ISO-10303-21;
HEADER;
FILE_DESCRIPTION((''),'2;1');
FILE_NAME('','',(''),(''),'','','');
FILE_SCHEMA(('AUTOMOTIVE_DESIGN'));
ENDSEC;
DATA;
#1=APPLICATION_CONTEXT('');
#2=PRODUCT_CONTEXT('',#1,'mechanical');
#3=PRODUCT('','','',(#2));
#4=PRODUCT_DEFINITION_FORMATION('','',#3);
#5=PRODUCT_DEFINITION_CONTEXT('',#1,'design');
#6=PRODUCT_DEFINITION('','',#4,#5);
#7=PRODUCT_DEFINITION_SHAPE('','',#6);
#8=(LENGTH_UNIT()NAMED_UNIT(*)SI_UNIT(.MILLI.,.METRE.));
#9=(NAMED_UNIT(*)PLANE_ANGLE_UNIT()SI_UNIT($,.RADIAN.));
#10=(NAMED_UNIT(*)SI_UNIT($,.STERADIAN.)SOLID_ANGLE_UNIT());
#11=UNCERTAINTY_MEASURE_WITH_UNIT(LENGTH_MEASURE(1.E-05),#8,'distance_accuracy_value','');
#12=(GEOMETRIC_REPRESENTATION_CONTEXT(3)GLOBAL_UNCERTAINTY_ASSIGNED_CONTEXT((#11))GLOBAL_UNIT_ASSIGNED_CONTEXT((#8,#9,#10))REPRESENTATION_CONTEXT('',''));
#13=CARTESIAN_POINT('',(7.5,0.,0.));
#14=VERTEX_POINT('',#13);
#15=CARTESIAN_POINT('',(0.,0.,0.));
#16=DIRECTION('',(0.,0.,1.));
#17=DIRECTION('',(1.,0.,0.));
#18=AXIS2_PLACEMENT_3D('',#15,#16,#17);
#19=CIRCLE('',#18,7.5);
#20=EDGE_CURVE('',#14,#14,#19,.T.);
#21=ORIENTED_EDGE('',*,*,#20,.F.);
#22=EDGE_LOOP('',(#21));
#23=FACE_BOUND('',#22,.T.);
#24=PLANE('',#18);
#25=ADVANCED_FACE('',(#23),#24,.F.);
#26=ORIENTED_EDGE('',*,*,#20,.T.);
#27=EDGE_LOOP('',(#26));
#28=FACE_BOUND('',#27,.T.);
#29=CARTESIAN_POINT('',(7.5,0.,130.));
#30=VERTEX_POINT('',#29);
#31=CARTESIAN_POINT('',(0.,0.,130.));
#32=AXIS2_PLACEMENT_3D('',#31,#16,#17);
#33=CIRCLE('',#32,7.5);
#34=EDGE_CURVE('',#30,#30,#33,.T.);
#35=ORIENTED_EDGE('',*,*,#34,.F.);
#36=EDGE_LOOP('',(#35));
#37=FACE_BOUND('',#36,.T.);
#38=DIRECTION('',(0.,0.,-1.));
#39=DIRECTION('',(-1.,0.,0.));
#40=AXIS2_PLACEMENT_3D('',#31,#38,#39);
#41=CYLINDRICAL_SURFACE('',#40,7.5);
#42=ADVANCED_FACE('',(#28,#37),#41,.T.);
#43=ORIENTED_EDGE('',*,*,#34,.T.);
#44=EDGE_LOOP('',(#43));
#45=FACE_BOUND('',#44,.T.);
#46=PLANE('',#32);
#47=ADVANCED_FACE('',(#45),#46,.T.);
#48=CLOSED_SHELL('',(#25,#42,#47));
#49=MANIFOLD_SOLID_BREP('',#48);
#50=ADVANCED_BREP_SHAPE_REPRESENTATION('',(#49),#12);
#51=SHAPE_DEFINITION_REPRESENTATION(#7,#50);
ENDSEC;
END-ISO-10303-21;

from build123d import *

# Parameters (mm, degrees)
SKETCH_1_R      = 7.5
EXTRUDE_1_DEPTH = 130


with BuildPart() as part:
    # 草图1 → 凸台-拉伸1 (new body)
    with BuildSketch(Plane.XY):
        Circle(SKETCH_1_R)
    extrude(amount=EXTRUDE_1_DEPTH)


solid = part.part
